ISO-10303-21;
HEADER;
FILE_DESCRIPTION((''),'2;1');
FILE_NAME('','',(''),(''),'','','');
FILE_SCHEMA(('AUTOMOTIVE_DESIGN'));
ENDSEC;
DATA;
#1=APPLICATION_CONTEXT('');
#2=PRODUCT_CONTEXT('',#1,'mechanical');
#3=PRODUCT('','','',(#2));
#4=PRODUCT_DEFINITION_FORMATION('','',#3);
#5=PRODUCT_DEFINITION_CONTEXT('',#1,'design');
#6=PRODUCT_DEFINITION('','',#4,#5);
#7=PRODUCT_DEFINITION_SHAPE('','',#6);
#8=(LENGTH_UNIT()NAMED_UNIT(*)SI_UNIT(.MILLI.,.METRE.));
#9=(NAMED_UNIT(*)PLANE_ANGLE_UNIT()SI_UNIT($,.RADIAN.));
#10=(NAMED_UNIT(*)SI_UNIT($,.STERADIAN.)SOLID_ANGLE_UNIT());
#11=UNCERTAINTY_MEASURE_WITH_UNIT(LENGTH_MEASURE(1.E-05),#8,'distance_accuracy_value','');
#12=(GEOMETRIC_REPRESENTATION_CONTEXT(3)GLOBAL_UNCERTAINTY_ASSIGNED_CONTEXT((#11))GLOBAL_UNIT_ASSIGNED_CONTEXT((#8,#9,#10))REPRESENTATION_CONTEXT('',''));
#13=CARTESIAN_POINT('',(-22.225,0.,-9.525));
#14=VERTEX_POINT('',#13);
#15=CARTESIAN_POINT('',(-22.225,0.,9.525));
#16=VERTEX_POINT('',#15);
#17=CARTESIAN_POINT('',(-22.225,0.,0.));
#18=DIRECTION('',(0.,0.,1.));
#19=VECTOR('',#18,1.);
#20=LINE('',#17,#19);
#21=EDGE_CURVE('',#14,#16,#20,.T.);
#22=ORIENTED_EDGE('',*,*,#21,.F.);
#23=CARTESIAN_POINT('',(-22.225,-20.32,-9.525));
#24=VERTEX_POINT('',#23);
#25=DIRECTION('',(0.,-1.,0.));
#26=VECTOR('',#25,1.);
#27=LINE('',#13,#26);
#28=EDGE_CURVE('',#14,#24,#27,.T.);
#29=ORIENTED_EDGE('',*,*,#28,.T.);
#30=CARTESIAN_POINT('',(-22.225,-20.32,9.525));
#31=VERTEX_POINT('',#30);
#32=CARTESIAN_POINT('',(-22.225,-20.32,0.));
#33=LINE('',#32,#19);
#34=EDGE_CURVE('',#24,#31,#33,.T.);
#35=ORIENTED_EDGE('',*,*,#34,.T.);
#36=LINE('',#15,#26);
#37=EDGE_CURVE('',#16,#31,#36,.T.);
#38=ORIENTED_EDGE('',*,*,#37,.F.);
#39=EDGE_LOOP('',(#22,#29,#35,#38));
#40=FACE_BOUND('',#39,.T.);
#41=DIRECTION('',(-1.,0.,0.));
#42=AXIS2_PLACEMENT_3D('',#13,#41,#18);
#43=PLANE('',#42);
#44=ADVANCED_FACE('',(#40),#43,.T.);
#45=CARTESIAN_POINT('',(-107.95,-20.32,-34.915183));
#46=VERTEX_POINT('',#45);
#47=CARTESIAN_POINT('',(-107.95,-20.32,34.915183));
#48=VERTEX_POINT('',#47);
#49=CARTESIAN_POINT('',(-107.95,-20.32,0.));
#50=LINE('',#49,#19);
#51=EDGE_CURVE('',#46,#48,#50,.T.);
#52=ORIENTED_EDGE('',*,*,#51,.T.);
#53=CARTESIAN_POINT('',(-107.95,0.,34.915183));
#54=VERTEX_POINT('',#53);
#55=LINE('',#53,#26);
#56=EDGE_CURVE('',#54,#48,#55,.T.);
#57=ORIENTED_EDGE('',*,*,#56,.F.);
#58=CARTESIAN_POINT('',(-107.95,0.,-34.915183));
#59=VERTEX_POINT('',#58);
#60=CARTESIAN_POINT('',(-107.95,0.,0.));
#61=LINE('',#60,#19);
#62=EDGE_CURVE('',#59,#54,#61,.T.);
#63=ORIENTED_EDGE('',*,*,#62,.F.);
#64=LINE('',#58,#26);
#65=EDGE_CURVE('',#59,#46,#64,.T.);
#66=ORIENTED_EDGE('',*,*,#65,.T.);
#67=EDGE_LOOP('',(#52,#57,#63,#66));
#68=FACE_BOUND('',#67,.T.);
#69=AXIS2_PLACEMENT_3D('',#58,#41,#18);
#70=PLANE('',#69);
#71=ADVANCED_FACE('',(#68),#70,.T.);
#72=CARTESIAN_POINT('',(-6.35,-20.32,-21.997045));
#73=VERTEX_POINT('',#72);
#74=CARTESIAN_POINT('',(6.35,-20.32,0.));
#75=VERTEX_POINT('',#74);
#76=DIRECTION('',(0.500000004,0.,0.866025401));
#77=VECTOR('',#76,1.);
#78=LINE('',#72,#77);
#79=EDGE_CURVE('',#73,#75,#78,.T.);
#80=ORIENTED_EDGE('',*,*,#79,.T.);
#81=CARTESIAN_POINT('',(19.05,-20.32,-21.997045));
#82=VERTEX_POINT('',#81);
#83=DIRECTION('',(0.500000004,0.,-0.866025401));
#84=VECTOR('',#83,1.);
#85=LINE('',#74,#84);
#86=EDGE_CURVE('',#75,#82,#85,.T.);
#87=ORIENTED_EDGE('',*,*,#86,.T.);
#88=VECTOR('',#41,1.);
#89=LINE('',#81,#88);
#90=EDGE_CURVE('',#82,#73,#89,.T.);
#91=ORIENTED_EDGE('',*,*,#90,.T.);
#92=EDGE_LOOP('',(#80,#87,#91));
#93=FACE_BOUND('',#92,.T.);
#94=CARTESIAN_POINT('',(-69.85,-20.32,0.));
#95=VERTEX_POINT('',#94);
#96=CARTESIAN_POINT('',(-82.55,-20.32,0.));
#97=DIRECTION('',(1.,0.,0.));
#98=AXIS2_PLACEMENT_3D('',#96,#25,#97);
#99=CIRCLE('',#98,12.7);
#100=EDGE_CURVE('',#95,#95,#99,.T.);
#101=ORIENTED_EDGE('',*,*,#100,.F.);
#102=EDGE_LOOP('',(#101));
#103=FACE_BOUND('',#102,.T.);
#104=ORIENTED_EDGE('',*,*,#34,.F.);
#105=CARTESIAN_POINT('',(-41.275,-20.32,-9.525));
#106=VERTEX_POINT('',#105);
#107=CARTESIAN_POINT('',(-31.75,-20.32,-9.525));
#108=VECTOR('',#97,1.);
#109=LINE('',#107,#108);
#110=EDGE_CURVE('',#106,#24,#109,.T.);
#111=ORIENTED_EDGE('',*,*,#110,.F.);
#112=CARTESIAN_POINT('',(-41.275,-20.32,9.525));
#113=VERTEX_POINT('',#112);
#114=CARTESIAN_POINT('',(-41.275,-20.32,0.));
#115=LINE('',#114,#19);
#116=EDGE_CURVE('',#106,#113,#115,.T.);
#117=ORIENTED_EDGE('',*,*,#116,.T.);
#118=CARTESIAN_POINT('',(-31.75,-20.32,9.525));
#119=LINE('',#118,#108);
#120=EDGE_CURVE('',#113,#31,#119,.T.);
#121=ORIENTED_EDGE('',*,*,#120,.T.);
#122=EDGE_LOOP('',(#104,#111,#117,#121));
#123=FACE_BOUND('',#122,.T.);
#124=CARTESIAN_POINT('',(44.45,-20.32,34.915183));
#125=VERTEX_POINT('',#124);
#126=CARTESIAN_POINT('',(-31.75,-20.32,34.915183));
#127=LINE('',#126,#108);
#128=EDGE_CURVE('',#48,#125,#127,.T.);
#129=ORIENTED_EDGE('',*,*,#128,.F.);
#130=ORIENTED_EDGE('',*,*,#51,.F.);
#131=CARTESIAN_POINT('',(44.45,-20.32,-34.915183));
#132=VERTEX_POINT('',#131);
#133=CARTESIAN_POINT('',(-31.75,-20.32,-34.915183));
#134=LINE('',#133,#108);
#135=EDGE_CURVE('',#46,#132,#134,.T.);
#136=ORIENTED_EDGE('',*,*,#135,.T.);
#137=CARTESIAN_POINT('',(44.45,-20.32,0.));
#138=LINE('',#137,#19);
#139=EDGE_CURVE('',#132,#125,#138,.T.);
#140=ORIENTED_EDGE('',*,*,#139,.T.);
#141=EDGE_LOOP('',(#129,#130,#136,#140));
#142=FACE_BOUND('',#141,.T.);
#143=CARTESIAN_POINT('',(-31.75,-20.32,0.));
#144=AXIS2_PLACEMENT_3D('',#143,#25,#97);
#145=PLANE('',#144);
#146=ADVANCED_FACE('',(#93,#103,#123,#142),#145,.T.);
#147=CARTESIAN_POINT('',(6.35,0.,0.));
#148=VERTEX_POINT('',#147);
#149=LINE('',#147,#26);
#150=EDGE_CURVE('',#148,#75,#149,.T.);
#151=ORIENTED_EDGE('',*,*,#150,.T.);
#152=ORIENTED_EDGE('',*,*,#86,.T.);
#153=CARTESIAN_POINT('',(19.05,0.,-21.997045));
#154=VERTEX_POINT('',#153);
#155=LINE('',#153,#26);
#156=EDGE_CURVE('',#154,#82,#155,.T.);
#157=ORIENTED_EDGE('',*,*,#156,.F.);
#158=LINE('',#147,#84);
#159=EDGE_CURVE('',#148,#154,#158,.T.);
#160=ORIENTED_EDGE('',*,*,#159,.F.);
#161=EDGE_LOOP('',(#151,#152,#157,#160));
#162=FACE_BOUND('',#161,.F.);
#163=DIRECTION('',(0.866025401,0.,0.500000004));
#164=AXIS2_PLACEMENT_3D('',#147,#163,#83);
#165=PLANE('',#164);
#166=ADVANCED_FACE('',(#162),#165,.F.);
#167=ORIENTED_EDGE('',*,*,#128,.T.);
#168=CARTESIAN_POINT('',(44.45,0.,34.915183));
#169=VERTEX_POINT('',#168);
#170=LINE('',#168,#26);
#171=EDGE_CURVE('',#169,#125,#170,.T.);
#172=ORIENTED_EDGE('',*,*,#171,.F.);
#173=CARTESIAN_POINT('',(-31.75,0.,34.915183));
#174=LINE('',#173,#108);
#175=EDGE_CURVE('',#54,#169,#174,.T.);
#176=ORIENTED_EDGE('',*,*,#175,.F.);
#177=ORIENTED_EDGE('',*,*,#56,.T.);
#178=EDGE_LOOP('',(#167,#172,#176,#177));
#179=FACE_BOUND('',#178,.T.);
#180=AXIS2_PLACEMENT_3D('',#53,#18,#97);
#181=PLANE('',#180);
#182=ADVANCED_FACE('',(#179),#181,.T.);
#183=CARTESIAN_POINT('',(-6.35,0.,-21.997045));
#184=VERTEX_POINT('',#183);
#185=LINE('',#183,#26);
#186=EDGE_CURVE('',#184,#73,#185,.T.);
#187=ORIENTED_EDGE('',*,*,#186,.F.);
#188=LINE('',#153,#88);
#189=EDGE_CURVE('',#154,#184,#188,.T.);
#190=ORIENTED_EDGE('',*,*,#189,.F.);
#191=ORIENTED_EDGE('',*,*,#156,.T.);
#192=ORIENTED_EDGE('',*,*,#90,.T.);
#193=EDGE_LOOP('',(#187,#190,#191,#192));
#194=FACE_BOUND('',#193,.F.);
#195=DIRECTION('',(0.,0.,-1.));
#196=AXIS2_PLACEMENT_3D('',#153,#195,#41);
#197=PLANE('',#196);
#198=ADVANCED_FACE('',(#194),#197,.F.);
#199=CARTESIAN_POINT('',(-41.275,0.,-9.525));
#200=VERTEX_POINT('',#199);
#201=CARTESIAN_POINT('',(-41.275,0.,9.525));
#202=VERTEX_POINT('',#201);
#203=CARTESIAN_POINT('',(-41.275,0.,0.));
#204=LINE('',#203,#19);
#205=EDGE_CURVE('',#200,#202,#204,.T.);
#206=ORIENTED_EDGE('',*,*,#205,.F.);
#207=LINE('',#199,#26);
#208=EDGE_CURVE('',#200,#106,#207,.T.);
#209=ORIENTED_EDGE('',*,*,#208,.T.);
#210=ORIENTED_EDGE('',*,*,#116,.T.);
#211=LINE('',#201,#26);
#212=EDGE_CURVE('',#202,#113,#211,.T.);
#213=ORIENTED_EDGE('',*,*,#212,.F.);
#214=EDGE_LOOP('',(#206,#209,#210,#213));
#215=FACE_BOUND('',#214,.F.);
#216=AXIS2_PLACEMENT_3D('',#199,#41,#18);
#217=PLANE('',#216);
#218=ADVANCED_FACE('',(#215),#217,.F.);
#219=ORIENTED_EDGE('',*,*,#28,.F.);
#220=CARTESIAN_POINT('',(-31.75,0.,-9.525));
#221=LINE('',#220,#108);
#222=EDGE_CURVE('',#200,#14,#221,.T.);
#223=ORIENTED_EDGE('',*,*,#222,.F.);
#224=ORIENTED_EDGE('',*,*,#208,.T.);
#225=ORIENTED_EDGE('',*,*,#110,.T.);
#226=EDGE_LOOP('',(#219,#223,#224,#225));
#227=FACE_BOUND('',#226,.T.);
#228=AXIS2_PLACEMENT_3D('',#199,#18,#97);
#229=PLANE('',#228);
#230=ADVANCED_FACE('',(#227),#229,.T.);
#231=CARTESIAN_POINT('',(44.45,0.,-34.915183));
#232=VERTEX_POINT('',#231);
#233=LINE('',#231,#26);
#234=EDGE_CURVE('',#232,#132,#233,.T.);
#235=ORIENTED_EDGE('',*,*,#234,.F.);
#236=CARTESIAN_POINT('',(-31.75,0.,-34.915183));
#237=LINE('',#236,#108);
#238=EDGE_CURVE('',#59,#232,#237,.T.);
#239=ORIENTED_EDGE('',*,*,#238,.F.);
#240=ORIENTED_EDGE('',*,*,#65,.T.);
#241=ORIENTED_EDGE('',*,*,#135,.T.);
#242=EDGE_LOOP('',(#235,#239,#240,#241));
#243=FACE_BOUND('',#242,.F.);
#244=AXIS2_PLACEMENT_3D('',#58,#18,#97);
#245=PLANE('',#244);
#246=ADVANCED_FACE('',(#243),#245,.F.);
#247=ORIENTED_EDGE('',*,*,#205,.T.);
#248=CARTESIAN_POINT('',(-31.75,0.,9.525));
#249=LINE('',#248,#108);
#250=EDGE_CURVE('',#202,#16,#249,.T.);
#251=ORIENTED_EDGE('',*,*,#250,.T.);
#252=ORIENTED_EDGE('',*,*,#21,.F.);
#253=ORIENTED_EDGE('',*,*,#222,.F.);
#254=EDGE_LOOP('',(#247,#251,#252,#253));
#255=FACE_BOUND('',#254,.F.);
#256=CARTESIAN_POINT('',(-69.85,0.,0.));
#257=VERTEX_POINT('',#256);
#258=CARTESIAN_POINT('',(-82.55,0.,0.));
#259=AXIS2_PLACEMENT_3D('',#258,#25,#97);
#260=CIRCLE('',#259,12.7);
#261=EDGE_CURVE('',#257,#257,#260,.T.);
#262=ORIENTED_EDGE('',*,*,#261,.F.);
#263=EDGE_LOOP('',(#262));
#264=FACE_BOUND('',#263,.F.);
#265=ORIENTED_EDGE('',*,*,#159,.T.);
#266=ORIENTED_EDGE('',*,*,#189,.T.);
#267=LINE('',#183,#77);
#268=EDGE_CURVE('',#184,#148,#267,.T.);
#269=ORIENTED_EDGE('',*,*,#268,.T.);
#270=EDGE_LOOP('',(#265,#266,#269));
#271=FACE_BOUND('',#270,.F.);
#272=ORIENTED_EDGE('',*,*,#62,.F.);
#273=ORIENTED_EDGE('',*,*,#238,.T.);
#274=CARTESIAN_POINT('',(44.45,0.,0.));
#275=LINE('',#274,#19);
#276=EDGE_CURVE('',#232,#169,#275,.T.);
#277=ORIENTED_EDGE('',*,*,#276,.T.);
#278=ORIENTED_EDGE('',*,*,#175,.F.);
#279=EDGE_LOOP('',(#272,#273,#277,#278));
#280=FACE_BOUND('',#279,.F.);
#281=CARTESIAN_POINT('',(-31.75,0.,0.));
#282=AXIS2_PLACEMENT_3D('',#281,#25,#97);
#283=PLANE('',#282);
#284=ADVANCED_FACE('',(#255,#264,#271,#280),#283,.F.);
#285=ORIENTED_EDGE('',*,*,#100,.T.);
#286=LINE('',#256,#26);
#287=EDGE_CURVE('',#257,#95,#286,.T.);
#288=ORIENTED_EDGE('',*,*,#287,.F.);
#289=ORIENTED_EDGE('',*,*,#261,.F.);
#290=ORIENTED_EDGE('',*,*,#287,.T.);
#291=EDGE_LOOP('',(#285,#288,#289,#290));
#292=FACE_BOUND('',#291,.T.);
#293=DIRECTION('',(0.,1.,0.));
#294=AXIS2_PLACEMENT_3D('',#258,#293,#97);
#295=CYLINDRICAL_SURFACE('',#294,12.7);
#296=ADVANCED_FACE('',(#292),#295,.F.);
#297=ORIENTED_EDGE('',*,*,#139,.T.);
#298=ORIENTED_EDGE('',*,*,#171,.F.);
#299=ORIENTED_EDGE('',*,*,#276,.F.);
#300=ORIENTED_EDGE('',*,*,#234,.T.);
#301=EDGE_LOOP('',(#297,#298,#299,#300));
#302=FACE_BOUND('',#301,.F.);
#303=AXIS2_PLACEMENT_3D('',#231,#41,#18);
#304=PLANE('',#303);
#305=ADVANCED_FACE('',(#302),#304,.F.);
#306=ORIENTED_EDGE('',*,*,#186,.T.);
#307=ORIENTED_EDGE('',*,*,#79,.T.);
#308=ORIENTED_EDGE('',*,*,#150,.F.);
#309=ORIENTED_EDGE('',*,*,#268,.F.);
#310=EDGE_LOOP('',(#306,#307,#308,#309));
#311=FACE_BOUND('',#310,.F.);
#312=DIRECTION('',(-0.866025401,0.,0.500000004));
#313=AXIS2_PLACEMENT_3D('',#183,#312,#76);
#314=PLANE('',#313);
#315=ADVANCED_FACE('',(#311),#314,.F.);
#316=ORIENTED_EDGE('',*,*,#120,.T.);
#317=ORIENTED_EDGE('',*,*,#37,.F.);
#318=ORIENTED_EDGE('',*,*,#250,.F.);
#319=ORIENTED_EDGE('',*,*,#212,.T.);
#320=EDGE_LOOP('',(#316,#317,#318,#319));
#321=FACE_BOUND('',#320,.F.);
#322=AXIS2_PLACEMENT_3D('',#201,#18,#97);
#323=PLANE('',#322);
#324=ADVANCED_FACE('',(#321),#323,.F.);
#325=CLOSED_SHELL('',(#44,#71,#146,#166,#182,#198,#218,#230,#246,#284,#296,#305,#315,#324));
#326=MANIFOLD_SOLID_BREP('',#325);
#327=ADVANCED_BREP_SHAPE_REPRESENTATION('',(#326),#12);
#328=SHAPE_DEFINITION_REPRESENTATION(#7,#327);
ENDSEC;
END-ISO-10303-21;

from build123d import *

# Parameters (mm, degrees)
F0_W     = 152.4
F0_H     = 69.830366
F0_R     = 12.7
F0_W_2   = 19.05
F0_H_2   = 19.05
F1_DEPTH = 20.32


with BuildPart() as f1:
    # F0 (on Front) → F1 (new body)
    with BuildSketch(Plane.XZ):
        with Locations((-31.75, 0)):
            Rectangle(F0_W, F0_H)
        Polygon((-6.35, -21.997045), (6.35, 0), (19.05, -21.997045), align=None, mode=Mode.SUBTRACT)
        with Locations((-82.55, 0)):
            Circle(F0_R, mode=Mode.SUBTRACT)
        with Locations((-31.75, 0)):
            Rectangle(F0_W_2, F0_H_2, mode=Mode.SUBTRACT)
    extrude(amount=F1_DEPTH)


solid = f1.part
